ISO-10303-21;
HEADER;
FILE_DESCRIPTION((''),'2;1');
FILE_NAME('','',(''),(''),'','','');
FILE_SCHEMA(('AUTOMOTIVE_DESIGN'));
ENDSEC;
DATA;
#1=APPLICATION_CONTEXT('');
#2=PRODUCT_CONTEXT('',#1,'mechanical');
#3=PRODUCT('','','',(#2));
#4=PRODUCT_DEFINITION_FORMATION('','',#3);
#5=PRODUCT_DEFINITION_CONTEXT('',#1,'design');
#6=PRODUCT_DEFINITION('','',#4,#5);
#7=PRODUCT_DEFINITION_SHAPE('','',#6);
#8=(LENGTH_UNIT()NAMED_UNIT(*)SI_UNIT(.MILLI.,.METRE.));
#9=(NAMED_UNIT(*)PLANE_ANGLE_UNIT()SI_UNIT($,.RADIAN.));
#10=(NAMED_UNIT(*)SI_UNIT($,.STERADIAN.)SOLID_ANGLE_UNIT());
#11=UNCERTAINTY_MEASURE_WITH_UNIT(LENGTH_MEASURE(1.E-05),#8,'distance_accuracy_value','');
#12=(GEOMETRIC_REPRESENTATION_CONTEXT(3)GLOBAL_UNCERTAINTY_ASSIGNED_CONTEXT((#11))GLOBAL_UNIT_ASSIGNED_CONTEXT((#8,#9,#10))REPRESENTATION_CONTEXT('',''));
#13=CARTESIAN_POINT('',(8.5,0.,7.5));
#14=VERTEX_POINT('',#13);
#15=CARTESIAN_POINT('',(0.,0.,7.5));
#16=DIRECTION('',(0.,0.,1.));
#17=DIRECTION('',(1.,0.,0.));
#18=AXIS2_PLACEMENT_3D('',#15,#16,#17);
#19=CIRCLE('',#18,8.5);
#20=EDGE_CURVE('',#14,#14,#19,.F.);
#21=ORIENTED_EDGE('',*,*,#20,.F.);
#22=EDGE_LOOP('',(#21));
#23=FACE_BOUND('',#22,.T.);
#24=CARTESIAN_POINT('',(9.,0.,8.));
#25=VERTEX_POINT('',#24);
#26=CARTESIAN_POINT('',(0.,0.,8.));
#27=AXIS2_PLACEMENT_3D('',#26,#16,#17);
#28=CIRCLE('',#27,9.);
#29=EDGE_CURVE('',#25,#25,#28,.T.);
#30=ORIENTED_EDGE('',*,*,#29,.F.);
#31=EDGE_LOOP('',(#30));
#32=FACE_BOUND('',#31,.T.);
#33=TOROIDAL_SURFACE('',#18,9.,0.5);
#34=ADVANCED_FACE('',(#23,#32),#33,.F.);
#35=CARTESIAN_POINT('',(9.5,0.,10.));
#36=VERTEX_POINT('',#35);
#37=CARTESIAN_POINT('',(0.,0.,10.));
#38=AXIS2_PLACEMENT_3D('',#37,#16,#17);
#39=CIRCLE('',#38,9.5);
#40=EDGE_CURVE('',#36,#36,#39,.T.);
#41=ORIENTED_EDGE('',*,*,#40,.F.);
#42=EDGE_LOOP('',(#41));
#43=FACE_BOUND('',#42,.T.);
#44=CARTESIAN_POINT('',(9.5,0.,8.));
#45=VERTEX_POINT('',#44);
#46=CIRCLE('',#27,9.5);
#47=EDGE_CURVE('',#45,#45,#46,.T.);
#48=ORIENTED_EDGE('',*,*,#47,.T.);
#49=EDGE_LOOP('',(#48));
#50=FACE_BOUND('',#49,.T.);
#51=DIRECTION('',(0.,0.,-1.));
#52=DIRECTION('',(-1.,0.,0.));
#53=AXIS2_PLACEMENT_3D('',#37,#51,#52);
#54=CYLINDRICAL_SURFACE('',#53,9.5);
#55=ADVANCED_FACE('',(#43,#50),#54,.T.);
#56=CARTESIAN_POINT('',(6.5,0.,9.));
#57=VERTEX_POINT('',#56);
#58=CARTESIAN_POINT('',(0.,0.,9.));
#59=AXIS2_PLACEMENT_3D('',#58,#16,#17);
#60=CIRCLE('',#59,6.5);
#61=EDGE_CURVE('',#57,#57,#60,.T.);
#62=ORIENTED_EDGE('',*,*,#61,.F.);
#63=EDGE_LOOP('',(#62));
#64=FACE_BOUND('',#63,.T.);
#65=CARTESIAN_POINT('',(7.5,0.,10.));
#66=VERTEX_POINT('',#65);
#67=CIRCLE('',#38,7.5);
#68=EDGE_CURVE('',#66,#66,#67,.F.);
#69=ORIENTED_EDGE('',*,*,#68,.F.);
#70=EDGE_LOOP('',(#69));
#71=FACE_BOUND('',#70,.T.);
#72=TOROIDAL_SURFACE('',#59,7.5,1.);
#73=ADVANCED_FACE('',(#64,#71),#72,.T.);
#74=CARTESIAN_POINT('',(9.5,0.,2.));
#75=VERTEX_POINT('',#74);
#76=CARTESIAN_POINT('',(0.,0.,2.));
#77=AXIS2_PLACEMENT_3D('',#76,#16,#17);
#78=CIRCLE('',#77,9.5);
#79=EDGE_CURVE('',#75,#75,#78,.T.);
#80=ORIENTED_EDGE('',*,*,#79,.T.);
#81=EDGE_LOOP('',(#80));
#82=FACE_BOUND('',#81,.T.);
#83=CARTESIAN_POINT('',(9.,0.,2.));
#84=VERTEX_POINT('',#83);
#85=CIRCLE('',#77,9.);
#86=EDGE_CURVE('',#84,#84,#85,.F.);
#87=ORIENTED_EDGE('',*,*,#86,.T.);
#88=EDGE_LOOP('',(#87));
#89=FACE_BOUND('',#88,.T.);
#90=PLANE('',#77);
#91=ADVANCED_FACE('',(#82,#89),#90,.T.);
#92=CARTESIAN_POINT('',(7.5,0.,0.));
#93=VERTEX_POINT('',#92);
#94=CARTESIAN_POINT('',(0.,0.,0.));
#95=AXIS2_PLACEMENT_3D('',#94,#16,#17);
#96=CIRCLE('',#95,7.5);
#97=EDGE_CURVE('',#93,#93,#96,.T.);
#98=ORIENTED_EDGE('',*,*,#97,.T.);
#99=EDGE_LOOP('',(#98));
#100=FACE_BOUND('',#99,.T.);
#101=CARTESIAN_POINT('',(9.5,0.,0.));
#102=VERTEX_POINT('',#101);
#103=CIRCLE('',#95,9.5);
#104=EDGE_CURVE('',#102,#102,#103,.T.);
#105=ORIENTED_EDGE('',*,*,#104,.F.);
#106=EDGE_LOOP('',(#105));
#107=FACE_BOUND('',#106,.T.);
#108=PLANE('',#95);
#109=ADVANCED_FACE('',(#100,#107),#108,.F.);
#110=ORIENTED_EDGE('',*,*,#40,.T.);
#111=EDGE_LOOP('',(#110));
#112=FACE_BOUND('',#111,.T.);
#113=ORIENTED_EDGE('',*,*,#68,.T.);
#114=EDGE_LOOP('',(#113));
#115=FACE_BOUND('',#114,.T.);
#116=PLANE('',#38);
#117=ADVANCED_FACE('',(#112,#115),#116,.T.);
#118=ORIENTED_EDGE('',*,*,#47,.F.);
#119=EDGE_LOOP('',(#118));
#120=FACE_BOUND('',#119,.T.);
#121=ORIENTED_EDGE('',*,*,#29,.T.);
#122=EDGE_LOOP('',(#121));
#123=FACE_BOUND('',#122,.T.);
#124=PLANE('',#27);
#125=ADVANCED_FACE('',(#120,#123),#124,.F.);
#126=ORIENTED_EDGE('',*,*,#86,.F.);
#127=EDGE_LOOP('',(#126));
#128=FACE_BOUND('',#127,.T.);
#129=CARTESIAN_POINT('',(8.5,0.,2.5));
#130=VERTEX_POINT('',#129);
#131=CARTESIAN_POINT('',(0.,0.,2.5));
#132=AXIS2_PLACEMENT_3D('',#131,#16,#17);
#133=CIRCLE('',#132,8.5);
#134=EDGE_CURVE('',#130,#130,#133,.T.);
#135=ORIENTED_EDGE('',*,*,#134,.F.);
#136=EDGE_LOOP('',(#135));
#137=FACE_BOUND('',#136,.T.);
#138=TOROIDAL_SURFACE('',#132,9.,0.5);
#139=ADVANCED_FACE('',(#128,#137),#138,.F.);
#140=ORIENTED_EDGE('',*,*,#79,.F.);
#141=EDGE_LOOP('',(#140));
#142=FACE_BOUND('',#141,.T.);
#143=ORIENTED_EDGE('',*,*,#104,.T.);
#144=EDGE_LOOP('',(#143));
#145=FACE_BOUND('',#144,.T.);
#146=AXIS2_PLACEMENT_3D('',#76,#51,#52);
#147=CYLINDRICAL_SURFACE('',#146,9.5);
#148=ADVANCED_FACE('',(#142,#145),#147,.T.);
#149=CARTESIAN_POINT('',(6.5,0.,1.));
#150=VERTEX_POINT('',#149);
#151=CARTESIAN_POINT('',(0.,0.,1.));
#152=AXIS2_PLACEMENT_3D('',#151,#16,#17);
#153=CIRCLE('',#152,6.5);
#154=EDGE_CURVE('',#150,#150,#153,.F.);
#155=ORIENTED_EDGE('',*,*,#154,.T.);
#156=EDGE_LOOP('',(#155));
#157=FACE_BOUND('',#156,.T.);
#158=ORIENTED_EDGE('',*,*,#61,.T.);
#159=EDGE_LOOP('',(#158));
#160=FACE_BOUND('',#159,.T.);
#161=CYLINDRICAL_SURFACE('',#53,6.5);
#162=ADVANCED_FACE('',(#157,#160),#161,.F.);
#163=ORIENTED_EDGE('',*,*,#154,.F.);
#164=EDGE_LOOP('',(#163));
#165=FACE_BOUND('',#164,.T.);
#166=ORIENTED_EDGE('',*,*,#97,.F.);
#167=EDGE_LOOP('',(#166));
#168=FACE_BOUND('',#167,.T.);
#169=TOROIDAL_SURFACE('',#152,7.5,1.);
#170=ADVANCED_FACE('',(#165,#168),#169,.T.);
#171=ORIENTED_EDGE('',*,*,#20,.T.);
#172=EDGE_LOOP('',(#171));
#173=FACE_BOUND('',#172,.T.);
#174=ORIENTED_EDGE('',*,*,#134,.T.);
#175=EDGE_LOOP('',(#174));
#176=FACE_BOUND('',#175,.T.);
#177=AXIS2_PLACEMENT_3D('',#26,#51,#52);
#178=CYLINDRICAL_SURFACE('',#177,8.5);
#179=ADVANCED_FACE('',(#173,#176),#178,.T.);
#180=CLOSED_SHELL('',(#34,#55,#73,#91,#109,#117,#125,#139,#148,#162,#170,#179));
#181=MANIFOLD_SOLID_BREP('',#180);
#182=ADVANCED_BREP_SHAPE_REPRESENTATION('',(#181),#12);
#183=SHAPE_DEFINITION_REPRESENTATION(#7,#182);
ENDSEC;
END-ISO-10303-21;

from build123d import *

# Parameters (mm, degrees)
SKETCH1_R               = 9.5
BOSS_EXTRUDE1_DEPTH     = 2
SKETCH2_R               = 8.5
BOSS_EXTRUDE2_DEPTH     = 6
SKETCH3_R               = 9.5
BOSS_EXTRUDE3_DEPTH     = 2
CUT_EXTRUDE1_DEPTH      = 17.748134224
CUT_EXTRUDE1_DEPTH_BACK = 17.748134224
SKETCH4_R               = 6.5
FILLET1_R               = 1
FILLET2_R               = 0.5


with BuildPart() as part:
    # Sketch1 → Boss-Extrude1 (new body)
    with BuildSketch(Plane.XY):
        Circle(SKETCH1_R)
    extrude(amount=BOSS_EXTRUDE1_DEPTH)

    # Sketch2 → Boss-Extrude2 (add)
    with BuildSketch(Plane.XY.offset(2)):
        Circle(SKETCH2_R)
    extrude(amount=BOSS_EXTRUDE2_DEPTH)

    # Sketch3 → Boss-Extrude3 (add)
    with BuildSketch(Plane.XY.offset(8)):
        Circle(SKETCH3_R)
    extrude(amount=BOSS_EXTRUDE3_DEPTH)

    # Sketch4 → Cut-Extrude1 (cut, two sides: drawn at the far end of the back side and taken through both)
    with BuildSketch(Plane(origin=(0, 0, 0), x_dir=(-1, 0, 0), z_dir=(0, 0, -1)).offset(-CUT_EXTRUDE1_DEPTH_BACK)):
        Circle(SKETCH4_R)
    extrude(amount=CUT_EXTRUDE1_DEPTH + CUT_EXTRUDE1_DEPTH_BACK, mode=Mode.SUBTRACT)

    # Fillet1
    fillet1_edges = [part.edges().sort_by_distance(p)[0] for p in [
        (6.5, 0, 10),
        (6.5, 0, 0),
    ]]
    fillet(fillet1_edges, radius=FILLET1_R)

    # Fillet2
    fillet2_edges = [part.edges().sort_by_distance(p)[0] for p in [
        (-8.5, 0, 2),
        (-8.5, 0, 8),
    ]]
    fillet(fillet2_edges, radius=FILLET2_R)


solid = part.part
